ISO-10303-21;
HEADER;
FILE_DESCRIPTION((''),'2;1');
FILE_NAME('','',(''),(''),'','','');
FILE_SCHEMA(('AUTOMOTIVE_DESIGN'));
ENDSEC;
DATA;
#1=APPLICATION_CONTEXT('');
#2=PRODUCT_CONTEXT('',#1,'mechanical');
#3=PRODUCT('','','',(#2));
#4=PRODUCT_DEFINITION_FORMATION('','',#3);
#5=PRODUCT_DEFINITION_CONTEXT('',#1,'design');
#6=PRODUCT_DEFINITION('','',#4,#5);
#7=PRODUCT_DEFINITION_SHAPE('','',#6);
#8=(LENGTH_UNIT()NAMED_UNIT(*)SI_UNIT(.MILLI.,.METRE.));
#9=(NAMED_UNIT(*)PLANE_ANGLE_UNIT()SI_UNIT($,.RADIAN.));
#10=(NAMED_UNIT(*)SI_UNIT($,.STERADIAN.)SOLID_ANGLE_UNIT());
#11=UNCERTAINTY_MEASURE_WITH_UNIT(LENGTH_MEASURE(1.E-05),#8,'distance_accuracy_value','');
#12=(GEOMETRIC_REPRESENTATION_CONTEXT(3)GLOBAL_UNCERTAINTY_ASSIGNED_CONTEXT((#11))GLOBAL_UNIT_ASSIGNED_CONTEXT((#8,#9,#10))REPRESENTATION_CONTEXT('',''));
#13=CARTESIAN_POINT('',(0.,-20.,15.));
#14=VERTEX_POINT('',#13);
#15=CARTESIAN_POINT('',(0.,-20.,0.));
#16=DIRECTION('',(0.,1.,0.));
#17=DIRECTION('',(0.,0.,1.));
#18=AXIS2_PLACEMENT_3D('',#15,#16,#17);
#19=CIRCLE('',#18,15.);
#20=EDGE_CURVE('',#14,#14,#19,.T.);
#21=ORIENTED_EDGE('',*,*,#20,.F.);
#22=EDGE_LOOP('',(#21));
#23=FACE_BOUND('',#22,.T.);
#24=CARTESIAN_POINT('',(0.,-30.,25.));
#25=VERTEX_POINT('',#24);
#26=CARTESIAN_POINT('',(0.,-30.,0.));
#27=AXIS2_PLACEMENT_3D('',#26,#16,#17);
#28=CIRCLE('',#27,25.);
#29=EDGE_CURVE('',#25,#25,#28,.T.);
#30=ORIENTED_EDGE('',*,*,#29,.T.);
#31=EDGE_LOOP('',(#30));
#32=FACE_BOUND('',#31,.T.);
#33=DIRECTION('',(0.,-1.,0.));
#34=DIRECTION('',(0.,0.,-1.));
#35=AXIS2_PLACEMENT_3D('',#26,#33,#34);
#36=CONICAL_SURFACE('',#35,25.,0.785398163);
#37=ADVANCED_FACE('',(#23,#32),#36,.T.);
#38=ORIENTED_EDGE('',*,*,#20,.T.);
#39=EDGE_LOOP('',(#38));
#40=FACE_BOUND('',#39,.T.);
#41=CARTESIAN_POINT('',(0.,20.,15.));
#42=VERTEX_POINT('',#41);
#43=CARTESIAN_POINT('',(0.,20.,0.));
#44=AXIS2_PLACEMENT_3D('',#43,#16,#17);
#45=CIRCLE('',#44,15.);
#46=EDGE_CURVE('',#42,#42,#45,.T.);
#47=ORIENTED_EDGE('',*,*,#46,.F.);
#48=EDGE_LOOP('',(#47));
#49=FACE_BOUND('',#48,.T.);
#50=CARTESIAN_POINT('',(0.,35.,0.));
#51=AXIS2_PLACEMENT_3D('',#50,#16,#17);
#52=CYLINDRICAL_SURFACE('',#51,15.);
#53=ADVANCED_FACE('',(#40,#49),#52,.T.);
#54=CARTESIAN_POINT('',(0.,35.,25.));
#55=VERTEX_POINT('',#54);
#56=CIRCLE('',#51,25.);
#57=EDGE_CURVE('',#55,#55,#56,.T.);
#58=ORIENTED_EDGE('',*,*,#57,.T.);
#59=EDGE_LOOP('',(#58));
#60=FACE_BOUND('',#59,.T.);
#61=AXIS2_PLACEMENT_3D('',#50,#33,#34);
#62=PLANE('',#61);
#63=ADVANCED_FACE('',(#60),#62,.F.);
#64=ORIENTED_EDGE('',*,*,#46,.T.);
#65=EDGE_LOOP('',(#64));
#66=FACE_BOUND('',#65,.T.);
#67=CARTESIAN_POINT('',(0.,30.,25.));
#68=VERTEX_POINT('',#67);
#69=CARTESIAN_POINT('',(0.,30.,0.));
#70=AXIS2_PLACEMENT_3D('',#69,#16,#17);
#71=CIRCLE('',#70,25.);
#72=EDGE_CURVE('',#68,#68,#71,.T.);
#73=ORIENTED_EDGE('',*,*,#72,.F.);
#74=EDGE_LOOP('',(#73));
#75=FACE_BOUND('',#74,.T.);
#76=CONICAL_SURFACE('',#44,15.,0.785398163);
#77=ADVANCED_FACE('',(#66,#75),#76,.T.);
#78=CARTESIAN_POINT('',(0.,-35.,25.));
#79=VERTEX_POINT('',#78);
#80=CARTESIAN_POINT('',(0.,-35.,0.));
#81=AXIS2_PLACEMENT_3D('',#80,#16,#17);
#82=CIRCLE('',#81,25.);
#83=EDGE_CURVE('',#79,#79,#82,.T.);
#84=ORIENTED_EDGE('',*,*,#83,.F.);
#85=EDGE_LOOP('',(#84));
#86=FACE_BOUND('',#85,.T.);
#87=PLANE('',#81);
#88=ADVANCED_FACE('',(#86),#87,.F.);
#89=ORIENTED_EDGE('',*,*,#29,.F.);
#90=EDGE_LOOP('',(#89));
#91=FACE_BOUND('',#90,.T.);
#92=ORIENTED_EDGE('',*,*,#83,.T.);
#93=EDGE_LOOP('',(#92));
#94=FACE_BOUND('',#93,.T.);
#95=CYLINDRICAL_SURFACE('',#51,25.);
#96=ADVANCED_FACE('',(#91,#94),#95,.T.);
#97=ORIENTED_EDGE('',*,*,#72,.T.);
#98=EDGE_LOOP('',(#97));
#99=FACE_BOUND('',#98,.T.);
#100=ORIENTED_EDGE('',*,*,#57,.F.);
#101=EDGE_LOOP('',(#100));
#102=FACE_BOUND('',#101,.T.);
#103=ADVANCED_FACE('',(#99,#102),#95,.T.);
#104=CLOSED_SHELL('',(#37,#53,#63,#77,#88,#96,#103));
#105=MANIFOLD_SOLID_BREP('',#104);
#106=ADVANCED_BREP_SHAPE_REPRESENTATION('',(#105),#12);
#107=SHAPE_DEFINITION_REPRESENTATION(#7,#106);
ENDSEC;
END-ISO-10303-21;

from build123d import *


with BuildPart() as part:
    # 草图1 → 旋转1 (revolve)
    with BuildSketch(Plane.XY, mode=Mode.PRIVATE) as revolve_1_sk:
        Polygon((0, 35), (25, 35), (25, 30), (15, 20), (15, -20), (25, -30), (25, -35), (0, -35), align=None)
    revolve(revolve_1_sk.sketch.rotate(Axis((0, 35, 0), (0, -1, 0)), 90), axis=Axis((0, 35, 0), (0, -1, 0)))


solid = part.part
